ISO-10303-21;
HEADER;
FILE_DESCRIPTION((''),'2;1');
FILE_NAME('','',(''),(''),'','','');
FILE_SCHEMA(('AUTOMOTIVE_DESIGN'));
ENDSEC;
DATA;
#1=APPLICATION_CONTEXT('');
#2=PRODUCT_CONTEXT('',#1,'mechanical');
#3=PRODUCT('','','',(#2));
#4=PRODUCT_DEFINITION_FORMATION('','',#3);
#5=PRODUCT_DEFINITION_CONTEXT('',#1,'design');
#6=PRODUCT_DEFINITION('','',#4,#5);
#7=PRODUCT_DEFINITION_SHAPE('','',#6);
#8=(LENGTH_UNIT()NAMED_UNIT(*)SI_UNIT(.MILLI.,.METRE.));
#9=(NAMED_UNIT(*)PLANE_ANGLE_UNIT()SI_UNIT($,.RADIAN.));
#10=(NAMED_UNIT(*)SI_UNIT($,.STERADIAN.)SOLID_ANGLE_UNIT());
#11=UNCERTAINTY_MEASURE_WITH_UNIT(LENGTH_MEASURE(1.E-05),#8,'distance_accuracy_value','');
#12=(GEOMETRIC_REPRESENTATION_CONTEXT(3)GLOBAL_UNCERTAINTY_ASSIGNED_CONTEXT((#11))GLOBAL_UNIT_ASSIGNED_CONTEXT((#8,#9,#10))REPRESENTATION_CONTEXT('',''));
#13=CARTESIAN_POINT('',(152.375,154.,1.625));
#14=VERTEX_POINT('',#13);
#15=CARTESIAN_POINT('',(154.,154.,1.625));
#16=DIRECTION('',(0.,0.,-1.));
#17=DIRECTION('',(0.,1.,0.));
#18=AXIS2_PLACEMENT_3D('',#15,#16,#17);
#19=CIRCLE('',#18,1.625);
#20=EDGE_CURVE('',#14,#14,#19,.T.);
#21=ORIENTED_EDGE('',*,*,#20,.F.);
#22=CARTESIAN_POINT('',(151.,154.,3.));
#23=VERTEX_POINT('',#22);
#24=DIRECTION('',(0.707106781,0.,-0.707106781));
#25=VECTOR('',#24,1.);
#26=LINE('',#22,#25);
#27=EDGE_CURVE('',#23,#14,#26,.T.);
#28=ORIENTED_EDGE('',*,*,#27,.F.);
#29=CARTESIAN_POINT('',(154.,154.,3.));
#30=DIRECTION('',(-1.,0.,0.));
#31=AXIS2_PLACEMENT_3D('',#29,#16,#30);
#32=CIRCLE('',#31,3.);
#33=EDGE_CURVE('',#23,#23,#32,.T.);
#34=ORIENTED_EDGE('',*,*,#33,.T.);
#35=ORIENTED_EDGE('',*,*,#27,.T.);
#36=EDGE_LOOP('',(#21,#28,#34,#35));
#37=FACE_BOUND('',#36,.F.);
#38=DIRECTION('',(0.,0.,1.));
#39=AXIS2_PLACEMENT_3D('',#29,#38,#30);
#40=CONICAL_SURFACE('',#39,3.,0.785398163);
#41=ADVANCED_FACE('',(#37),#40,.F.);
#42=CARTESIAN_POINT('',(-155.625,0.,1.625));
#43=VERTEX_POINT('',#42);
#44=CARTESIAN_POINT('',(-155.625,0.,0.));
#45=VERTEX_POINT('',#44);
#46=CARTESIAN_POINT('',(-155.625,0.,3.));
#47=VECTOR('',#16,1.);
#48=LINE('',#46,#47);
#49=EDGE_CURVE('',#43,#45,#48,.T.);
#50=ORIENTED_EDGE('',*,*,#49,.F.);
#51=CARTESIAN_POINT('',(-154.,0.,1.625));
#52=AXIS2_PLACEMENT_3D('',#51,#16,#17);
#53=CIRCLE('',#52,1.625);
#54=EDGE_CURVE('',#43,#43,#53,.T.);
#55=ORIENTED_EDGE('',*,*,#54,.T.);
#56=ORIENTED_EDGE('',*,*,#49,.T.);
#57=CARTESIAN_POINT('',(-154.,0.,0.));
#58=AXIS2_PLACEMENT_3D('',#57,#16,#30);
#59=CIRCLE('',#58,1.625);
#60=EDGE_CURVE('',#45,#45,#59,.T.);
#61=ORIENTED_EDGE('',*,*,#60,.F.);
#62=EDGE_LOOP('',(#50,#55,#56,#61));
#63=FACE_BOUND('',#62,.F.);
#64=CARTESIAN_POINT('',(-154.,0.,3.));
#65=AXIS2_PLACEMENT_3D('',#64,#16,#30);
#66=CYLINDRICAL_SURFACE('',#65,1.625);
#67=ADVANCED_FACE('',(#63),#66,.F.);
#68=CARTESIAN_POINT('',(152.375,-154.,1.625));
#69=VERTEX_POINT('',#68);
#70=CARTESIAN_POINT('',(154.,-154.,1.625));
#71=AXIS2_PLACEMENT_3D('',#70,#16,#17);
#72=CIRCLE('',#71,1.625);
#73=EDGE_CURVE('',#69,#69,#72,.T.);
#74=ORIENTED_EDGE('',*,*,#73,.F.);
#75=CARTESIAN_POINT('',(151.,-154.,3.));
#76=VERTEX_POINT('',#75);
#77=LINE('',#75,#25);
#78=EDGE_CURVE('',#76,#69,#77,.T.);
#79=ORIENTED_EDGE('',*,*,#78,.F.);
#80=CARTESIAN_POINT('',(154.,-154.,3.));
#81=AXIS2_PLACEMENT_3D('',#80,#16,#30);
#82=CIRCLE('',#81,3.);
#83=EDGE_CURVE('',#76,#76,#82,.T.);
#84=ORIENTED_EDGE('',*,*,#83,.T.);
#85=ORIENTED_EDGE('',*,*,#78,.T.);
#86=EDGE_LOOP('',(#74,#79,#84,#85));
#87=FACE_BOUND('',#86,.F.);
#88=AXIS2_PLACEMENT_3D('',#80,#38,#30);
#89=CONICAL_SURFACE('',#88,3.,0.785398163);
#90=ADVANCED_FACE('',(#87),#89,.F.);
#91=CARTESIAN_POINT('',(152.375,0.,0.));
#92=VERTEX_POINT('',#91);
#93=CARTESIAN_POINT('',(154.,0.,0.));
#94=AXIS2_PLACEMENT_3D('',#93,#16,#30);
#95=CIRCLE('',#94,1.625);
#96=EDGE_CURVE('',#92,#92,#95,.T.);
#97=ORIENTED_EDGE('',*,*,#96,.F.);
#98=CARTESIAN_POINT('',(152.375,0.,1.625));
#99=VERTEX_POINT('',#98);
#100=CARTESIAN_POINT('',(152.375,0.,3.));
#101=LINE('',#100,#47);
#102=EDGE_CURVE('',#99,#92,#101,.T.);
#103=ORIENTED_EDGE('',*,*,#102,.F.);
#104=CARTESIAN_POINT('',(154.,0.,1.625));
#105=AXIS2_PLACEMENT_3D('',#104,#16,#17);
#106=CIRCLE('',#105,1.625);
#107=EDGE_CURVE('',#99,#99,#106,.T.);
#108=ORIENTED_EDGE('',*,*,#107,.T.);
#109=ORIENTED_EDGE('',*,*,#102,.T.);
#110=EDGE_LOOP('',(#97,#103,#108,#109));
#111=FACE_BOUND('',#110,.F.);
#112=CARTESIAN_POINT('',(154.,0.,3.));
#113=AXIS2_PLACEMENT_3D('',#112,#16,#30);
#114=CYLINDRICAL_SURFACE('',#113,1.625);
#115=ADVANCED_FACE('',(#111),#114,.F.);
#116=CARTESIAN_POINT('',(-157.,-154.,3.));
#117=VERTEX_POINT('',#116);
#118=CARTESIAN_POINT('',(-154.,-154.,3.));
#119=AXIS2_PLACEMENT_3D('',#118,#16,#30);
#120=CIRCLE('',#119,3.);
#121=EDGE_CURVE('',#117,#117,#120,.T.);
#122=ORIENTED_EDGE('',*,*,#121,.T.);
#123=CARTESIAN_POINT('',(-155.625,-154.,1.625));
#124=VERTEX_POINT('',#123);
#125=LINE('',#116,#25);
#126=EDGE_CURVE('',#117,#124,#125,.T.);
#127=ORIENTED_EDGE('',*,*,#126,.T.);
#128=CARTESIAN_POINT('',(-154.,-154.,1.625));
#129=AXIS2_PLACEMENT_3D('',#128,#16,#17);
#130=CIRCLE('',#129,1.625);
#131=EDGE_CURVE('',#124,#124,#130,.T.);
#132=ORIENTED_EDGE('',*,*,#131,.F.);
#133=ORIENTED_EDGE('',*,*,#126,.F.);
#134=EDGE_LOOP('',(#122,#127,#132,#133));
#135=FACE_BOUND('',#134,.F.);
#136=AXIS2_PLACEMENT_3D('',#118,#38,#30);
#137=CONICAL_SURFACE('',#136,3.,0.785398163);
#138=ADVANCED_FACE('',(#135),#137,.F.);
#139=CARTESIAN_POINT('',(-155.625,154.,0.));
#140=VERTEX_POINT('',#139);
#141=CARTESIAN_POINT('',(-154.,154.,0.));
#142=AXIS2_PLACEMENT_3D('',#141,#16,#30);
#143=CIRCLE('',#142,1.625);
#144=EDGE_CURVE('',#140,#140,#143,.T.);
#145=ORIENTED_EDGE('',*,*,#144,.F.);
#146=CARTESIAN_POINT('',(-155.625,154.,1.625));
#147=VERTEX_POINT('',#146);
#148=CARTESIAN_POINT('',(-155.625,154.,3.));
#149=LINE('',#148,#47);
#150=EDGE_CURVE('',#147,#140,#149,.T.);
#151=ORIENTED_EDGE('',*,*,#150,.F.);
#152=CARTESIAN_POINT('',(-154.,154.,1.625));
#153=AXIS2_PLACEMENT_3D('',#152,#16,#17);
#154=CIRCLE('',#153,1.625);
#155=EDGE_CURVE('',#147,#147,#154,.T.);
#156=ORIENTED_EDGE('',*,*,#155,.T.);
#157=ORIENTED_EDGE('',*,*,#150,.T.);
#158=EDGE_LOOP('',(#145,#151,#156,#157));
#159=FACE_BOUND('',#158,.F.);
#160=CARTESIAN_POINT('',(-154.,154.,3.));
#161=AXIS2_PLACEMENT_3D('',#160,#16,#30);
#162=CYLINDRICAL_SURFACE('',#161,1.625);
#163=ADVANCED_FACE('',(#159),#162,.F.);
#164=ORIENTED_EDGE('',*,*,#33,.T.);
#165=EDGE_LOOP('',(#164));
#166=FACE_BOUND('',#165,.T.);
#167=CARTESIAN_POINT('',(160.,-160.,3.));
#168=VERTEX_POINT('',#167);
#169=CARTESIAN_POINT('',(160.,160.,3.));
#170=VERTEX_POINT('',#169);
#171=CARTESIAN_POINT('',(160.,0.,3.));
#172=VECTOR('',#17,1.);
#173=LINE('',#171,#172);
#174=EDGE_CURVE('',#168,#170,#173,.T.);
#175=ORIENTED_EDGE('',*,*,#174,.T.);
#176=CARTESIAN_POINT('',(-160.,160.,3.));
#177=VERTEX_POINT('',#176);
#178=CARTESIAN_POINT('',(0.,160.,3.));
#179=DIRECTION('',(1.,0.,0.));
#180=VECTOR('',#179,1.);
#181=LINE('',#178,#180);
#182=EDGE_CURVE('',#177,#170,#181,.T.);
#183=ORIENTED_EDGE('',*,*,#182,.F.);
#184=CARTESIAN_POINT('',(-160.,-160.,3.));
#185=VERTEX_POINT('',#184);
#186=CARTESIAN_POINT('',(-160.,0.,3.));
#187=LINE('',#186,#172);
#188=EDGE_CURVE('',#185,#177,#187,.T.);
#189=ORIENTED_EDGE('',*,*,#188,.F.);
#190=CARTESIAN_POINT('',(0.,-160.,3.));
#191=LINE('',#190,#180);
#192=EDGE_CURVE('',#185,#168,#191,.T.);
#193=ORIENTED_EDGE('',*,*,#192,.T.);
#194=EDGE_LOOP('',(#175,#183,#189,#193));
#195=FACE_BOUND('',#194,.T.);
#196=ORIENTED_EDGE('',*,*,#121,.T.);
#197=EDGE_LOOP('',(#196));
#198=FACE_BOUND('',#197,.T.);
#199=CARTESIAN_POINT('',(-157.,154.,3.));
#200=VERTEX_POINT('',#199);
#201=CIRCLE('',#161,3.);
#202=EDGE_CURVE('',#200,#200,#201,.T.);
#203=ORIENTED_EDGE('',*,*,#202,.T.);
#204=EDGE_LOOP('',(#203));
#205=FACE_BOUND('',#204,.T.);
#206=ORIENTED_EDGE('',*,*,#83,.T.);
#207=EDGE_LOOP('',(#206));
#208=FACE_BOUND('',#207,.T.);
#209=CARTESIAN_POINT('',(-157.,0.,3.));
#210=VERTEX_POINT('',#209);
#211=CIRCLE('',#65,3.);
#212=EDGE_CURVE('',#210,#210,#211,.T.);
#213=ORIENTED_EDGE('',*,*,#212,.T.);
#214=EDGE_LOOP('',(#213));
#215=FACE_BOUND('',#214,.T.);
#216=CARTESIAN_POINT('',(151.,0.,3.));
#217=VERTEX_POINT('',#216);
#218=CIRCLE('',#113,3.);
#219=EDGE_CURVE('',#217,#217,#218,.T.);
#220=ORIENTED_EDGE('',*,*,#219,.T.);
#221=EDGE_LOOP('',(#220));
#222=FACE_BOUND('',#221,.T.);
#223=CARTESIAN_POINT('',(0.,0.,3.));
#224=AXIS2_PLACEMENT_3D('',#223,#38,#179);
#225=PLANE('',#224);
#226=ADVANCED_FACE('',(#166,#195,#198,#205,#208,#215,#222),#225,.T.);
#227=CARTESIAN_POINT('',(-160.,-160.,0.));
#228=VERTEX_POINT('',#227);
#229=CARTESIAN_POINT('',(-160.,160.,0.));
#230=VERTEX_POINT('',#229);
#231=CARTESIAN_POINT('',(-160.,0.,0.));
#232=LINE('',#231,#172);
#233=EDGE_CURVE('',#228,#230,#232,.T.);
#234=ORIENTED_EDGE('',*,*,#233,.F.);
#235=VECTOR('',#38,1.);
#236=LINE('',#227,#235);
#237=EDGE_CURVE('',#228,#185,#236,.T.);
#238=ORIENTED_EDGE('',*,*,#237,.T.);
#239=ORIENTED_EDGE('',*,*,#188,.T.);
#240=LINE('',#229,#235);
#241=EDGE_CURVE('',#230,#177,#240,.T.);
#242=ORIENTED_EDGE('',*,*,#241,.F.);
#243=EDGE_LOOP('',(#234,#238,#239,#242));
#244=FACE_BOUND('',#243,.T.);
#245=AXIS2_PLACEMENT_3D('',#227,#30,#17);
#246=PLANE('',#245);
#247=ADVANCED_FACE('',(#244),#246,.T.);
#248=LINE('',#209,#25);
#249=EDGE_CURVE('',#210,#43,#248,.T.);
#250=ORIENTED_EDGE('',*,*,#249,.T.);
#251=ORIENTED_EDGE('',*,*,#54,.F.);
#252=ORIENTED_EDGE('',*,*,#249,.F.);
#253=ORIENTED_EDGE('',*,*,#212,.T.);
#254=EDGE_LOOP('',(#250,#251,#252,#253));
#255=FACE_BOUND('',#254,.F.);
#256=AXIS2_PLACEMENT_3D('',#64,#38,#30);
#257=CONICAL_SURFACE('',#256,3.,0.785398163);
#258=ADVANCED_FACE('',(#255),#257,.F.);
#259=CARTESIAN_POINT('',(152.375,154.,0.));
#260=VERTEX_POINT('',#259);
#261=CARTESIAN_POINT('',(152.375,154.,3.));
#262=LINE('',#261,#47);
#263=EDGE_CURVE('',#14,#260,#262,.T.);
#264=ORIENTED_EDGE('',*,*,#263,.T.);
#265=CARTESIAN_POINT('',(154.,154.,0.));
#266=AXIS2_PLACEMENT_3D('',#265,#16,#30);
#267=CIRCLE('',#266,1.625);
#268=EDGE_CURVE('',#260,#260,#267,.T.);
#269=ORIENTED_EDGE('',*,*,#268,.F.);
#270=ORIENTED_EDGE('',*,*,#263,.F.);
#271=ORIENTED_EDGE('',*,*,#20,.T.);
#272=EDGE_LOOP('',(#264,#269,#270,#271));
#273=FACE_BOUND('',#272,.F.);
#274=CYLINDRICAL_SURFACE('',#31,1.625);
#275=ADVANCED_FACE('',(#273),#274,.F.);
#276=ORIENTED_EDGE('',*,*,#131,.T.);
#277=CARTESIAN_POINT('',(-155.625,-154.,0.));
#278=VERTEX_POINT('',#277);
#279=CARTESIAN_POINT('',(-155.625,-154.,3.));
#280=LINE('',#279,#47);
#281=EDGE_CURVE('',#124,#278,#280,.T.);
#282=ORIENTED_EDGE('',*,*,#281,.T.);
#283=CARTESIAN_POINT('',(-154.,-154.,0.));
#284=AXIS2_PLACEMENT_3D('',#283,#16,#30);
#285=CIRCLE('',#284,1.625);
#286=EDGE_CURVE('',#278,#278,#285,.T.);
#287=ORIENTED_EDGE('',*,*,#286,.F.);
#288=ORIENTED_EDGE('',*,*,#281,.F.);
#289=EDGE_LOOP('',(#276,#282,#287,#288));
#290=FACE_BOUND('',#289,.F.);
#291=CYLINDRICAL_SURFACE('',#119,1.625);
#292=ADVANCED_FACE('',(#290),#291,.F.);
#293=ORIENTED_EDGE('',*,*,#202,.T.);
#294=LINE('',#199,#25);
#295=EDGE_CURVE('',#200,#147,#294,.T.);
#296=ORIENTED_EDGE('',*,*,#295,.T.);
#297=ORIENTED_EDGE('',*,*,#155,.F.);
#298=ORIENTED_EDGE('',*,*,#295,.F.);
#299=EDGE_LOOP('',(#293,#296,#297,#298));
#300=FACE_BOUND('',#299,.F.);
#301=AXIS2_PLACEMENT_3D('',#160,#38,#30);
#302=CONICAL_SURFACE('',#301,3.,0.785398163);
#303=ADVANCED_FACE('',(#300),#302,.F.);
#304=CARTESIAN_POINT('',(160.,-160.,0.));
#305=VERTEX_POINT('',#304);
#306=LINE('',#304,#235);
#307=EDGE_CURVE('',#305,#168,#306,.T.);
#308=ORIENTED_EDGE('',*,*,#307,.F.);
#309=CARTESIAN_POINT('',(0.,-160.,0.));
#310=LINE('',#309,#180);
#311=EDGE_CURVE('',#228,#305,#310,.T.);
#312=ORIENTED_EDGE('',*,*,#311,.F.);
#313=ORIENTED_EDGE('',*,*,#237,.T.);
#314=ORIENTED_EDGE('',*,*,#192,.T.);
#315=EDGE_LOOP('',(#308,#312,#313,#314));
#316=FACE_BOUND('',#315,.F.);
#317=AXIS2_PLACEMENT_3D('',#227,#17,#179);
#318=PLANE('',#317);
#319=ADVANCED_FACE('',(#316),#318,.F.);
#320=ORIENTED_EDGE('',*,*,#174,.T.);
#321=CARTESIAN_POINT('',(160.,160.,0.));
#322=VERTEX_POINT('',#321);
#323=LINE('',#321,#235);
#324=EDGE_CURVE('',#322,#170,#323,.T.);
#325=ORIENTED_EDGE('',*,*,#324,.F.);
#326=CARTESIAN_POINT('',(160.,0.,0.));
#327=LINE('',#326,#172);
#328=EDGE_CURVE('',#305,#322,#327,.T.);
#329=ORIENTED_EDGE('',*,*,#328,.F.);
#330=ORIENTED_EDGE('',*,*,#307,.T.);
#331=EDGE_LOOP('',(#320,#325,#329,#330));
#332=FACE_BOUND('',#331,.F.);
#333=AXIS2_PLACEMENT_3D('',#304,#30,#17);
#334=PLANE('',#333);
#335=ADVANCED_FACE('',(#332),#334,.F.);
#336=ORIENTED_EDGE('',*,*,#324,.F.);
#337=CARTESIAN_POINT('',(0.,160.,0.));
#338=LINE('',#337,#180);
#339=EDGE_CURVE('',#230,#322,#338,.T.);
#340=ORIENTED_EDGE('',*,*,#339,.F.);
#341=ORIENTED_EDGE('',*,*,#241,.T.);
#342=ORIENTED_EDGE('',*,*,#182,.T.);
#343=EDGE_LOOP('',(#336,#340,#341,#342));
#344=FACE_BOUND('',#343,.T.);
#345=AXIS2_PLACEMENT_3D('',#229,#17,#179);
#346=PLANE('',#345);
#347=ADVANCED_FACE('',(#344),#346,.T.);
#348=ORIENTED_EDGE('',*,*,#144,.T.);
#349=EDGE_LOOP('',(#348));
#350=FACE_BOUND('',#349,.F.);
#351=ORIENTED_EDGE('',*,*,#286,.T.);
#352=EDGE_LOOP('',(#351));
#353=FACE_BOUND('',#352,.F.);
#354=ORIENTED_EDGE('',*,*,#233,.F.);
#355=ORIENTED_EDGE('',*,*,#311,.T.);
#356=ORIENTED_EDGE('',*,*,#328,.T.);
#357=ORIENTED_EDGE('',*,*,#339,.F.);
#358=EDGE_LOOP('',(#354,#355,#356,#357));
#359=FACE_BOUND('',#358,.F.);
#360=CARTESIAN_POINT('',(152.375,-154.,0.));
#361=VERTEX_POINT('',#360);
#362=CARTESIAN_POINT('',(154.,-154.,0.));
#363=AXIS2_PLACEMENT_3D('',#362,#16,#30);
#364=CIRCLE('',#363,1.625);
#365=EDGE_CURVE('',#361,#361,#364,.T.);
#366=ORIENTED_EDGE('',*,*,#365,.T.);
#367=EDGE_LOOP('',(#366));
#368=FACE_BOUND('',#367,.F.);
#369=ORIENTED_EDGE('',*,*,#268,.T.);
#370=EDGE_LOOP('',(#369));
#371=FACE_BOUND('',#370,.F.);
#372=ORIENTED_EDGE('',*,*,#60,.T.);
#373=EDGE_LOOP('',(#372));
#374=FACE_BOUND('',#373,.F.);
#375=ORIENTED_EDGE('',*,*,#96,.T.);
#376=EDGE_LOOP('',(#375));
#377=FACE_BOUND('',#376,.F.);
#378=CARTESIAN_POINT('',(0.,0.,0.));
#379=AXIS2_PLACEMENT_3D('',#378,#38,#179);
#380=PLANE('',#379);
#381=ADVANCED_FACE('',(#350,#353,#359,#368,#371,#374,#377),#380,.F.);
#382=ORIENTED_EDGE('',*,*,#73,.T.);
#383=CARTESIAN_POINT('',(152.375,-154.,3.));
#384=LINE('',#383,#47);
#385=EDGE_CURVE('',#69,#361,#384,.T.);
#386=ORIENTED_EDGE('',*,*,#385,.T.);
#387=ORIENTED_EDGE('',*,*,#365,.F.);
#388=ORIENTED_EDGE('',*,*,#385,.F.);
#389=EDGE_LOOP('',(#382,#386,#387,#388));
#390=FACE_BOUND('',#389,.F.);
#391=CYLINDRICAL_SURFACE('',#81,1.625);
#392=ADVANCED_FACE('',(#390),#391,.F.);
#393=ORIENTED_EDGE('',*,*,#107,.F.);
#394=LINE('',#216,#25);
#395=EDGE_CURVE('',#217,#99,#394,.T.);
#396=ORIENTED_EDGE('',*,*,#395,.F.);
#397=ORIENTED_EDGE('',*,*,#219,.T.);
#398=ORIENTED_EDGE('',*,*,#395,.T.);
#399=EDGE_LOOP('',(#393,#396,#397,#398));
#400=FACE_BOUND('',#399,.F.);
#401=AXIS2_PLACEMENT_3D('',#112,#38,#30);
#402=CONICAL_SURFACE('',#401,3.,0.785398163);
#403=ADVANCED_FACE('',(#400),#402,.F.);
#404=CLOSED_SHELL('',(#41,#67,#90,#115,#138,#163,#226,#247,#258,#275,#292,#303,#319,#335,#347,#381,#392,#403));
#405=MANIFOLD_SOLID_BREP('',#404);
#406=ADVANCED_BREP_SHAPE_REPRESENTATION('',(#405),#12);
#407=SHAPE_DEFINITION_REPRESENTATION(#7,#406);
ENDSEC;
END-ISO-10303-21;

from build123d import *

# Parameters (mm, degrees)
SKETCH_W         = 320
SKETCH_H         = 320
PAD_DEPTH        = 3
HOLE_D           = 3.25
HOLE_DEPTH       = 3
HOLE_CSINK_D     = 6
HOLE_CSINK_ANGLE = 90


with BuildPart() as part:
    # Sketch → Pad (new body)
    with BuildSketch(Plane.XY):
        Rectangle(SKETCH_W, SKETCH_H)
    extrude(amount=PAD_DEPTH)

    # Hole
    with Locations(Plane.XY.offset(3)):
        with Locations((154, 154), (154, -154), (154, 0), (-154, -154), (-154, 154), (-154, 0)):
            CounterSinkHole(HOLE_D / 2, HOLE_CSINK_D / 2, depth=HOLE_DEPTH, counter_sink_angle=HOLE_CSINK_ANGLE)


solid = part.part
